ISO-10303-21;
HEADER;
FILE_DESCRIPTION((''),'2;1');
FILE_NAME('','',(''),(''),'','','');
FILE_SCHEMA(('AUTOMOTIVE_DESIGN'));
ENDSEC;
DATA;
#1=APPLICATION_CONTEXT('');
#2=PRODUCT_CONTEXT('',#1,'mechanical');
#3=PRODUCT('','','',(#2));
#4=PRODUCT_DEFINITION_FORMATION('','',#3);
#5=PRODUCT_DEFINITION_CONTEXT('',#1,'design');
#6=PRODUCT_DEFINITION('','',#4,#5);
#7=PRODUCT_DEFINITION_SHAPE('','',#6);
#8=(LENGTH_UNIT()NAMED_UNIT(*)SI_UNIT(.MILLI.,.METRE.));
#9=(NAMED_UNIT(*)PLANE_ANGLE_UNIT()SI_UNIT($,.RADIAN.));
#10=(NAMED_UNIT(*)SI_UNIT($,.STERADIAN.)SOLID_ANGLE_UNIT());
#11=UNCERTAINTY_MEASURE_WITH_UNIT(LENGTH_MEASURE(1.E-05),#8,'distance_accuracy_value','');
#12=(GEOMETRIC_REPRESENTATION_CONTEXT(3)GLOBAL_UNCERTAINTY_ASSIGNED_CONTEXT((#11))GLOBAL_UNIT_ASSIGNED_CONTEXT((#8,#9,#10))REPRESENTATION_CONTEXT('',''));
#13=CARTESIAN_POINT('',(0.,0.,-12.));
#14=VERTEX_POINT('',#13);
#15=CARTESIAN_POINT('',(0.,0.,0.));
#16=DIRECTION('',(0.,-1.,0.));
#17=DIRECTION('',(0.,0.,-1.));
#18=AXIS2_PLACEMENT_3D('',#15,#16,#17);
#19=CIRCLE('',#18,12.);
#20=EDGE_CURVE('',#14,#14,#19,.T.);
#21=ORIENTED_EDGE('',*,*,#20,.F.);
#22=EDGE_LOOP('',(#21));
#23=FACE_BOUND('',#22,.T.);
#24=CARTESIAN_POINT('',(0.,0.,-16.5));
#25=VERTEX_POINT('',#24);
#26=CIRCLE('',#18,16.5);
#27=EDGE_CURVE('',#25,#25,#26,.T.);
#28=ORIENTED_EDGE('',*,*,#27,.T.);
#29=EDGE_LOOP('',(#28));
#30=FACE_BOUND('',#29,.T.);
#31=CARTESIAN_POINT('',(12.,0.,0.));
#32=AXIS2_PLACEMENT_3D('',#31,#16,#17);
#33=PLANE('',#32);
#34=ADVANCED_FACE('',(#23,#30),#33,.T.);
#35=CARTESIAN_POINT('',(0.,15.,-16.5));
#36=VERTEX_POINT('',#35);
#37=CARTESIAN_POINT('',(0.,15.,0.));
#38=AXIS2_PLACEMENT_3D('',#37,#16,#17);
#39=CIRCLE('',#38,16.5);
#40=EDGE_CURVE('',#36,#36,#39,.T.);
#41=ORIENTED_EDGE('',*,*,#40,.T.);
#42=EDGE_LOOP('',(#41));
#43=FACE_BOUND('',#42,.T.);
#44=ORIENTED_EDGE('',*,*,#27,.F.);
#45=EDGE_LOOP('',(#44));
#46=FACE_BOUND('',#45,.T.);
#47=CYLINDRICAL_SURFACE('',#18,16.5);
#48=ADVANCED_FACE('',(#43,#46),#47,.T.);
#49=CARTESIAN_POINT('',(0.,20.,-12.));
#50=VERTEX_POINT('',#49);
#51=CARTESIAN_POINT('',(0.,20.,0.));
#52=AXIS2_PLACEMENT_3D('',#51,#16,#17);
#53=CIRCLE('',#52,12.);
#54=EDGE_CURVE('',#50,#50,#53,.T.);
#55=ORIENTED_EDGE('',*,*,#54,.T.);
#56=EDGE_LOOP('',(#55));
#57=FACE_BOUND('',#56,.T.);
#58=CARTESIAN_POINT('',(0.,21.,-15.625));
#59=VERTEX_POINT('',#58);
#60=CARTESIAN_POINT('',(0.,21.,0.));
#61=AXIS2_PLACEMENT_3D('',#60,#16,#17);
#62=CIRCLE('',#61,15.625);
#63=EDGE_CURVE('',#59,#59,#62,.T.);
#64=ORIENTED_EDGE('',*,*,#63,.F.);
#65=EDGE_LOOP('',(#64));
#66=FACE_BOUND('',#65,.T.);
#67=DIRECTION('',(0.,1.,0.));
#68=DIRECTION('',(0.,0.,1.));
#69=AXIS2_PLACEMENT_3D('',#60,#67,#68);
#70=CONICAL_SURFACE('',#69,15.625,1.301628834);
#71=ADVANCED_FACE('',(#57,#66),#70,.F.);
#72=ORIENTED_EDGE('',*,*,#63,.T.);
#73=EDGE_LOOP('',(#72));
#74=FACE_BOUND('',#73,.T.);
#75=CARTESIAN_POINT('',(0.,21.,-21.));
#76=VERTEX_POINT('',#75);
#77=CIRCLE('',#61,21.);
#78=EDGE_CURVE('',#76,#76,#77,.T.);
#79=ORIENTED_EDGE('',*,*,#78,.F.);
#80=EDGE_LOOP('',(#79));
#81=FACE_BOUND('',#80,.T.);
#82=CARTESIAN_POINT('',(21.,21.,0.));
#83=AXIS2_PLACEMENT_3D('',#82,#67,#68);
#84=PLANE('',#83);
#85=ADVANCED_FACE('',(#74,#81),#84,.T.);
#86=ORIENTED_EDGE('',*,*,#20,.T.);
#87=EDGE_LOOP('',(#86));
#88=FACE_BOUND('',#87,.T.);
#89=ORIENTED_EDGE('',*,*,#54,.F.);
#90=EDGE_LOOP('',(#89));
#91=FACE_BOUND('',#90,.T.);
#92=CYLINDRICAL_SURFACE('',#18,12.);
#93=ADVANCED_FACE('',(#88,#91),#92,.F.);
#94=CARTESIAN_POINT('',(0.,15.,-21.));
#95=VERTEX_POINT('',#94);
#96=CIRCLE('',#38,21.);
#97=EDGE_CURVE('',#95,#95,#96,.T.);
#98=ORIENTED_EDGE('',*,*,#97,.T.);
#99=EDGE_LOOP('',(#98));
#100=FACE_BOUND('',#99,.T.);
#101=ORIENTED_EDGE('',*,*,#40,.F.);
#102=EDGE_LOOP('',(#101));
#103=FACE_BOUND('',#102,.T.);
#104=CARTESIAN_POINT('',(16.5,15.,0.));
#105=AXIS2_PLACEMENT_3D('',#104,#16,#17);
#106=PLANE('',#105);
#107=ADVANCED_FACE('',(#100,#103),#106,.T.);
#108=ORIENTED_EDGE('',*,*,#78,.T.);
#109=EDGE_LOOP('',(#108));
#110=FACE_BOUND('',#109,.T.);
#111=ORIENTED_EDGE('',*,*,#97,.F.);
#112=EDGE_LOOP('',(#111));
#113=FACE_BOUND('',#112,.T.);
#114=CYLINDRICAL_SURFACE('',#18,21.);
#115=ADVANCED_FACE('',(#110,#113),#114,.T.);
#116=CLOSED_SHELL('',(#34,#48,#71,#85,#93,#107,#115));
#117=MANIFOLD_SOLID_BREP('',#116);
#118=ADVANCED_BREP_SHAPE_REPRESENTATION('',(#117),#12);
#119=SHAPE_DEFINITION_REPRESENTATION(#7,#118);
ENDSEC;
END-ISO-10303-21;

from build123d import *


with BuildPart() as part:
    # 草图1 → 旋转1 (revolve)
    with BuildSketch(Plane.XY, mode=Mode.PRIVATE) as revolve_1_sk:
        Polygon((12, 0), (16.5, 0), (16.5, 15), (21, 15), (21, 21), (15.625, 21), (12, 20), align=None)
    revolve(revolve_1_sk.sketch.rotate(Axis((0, 0, 0), (0, 1, 0)), 90), axis=Axis((0, 0, 0), (0, 1, 0)))


solid = part.part
